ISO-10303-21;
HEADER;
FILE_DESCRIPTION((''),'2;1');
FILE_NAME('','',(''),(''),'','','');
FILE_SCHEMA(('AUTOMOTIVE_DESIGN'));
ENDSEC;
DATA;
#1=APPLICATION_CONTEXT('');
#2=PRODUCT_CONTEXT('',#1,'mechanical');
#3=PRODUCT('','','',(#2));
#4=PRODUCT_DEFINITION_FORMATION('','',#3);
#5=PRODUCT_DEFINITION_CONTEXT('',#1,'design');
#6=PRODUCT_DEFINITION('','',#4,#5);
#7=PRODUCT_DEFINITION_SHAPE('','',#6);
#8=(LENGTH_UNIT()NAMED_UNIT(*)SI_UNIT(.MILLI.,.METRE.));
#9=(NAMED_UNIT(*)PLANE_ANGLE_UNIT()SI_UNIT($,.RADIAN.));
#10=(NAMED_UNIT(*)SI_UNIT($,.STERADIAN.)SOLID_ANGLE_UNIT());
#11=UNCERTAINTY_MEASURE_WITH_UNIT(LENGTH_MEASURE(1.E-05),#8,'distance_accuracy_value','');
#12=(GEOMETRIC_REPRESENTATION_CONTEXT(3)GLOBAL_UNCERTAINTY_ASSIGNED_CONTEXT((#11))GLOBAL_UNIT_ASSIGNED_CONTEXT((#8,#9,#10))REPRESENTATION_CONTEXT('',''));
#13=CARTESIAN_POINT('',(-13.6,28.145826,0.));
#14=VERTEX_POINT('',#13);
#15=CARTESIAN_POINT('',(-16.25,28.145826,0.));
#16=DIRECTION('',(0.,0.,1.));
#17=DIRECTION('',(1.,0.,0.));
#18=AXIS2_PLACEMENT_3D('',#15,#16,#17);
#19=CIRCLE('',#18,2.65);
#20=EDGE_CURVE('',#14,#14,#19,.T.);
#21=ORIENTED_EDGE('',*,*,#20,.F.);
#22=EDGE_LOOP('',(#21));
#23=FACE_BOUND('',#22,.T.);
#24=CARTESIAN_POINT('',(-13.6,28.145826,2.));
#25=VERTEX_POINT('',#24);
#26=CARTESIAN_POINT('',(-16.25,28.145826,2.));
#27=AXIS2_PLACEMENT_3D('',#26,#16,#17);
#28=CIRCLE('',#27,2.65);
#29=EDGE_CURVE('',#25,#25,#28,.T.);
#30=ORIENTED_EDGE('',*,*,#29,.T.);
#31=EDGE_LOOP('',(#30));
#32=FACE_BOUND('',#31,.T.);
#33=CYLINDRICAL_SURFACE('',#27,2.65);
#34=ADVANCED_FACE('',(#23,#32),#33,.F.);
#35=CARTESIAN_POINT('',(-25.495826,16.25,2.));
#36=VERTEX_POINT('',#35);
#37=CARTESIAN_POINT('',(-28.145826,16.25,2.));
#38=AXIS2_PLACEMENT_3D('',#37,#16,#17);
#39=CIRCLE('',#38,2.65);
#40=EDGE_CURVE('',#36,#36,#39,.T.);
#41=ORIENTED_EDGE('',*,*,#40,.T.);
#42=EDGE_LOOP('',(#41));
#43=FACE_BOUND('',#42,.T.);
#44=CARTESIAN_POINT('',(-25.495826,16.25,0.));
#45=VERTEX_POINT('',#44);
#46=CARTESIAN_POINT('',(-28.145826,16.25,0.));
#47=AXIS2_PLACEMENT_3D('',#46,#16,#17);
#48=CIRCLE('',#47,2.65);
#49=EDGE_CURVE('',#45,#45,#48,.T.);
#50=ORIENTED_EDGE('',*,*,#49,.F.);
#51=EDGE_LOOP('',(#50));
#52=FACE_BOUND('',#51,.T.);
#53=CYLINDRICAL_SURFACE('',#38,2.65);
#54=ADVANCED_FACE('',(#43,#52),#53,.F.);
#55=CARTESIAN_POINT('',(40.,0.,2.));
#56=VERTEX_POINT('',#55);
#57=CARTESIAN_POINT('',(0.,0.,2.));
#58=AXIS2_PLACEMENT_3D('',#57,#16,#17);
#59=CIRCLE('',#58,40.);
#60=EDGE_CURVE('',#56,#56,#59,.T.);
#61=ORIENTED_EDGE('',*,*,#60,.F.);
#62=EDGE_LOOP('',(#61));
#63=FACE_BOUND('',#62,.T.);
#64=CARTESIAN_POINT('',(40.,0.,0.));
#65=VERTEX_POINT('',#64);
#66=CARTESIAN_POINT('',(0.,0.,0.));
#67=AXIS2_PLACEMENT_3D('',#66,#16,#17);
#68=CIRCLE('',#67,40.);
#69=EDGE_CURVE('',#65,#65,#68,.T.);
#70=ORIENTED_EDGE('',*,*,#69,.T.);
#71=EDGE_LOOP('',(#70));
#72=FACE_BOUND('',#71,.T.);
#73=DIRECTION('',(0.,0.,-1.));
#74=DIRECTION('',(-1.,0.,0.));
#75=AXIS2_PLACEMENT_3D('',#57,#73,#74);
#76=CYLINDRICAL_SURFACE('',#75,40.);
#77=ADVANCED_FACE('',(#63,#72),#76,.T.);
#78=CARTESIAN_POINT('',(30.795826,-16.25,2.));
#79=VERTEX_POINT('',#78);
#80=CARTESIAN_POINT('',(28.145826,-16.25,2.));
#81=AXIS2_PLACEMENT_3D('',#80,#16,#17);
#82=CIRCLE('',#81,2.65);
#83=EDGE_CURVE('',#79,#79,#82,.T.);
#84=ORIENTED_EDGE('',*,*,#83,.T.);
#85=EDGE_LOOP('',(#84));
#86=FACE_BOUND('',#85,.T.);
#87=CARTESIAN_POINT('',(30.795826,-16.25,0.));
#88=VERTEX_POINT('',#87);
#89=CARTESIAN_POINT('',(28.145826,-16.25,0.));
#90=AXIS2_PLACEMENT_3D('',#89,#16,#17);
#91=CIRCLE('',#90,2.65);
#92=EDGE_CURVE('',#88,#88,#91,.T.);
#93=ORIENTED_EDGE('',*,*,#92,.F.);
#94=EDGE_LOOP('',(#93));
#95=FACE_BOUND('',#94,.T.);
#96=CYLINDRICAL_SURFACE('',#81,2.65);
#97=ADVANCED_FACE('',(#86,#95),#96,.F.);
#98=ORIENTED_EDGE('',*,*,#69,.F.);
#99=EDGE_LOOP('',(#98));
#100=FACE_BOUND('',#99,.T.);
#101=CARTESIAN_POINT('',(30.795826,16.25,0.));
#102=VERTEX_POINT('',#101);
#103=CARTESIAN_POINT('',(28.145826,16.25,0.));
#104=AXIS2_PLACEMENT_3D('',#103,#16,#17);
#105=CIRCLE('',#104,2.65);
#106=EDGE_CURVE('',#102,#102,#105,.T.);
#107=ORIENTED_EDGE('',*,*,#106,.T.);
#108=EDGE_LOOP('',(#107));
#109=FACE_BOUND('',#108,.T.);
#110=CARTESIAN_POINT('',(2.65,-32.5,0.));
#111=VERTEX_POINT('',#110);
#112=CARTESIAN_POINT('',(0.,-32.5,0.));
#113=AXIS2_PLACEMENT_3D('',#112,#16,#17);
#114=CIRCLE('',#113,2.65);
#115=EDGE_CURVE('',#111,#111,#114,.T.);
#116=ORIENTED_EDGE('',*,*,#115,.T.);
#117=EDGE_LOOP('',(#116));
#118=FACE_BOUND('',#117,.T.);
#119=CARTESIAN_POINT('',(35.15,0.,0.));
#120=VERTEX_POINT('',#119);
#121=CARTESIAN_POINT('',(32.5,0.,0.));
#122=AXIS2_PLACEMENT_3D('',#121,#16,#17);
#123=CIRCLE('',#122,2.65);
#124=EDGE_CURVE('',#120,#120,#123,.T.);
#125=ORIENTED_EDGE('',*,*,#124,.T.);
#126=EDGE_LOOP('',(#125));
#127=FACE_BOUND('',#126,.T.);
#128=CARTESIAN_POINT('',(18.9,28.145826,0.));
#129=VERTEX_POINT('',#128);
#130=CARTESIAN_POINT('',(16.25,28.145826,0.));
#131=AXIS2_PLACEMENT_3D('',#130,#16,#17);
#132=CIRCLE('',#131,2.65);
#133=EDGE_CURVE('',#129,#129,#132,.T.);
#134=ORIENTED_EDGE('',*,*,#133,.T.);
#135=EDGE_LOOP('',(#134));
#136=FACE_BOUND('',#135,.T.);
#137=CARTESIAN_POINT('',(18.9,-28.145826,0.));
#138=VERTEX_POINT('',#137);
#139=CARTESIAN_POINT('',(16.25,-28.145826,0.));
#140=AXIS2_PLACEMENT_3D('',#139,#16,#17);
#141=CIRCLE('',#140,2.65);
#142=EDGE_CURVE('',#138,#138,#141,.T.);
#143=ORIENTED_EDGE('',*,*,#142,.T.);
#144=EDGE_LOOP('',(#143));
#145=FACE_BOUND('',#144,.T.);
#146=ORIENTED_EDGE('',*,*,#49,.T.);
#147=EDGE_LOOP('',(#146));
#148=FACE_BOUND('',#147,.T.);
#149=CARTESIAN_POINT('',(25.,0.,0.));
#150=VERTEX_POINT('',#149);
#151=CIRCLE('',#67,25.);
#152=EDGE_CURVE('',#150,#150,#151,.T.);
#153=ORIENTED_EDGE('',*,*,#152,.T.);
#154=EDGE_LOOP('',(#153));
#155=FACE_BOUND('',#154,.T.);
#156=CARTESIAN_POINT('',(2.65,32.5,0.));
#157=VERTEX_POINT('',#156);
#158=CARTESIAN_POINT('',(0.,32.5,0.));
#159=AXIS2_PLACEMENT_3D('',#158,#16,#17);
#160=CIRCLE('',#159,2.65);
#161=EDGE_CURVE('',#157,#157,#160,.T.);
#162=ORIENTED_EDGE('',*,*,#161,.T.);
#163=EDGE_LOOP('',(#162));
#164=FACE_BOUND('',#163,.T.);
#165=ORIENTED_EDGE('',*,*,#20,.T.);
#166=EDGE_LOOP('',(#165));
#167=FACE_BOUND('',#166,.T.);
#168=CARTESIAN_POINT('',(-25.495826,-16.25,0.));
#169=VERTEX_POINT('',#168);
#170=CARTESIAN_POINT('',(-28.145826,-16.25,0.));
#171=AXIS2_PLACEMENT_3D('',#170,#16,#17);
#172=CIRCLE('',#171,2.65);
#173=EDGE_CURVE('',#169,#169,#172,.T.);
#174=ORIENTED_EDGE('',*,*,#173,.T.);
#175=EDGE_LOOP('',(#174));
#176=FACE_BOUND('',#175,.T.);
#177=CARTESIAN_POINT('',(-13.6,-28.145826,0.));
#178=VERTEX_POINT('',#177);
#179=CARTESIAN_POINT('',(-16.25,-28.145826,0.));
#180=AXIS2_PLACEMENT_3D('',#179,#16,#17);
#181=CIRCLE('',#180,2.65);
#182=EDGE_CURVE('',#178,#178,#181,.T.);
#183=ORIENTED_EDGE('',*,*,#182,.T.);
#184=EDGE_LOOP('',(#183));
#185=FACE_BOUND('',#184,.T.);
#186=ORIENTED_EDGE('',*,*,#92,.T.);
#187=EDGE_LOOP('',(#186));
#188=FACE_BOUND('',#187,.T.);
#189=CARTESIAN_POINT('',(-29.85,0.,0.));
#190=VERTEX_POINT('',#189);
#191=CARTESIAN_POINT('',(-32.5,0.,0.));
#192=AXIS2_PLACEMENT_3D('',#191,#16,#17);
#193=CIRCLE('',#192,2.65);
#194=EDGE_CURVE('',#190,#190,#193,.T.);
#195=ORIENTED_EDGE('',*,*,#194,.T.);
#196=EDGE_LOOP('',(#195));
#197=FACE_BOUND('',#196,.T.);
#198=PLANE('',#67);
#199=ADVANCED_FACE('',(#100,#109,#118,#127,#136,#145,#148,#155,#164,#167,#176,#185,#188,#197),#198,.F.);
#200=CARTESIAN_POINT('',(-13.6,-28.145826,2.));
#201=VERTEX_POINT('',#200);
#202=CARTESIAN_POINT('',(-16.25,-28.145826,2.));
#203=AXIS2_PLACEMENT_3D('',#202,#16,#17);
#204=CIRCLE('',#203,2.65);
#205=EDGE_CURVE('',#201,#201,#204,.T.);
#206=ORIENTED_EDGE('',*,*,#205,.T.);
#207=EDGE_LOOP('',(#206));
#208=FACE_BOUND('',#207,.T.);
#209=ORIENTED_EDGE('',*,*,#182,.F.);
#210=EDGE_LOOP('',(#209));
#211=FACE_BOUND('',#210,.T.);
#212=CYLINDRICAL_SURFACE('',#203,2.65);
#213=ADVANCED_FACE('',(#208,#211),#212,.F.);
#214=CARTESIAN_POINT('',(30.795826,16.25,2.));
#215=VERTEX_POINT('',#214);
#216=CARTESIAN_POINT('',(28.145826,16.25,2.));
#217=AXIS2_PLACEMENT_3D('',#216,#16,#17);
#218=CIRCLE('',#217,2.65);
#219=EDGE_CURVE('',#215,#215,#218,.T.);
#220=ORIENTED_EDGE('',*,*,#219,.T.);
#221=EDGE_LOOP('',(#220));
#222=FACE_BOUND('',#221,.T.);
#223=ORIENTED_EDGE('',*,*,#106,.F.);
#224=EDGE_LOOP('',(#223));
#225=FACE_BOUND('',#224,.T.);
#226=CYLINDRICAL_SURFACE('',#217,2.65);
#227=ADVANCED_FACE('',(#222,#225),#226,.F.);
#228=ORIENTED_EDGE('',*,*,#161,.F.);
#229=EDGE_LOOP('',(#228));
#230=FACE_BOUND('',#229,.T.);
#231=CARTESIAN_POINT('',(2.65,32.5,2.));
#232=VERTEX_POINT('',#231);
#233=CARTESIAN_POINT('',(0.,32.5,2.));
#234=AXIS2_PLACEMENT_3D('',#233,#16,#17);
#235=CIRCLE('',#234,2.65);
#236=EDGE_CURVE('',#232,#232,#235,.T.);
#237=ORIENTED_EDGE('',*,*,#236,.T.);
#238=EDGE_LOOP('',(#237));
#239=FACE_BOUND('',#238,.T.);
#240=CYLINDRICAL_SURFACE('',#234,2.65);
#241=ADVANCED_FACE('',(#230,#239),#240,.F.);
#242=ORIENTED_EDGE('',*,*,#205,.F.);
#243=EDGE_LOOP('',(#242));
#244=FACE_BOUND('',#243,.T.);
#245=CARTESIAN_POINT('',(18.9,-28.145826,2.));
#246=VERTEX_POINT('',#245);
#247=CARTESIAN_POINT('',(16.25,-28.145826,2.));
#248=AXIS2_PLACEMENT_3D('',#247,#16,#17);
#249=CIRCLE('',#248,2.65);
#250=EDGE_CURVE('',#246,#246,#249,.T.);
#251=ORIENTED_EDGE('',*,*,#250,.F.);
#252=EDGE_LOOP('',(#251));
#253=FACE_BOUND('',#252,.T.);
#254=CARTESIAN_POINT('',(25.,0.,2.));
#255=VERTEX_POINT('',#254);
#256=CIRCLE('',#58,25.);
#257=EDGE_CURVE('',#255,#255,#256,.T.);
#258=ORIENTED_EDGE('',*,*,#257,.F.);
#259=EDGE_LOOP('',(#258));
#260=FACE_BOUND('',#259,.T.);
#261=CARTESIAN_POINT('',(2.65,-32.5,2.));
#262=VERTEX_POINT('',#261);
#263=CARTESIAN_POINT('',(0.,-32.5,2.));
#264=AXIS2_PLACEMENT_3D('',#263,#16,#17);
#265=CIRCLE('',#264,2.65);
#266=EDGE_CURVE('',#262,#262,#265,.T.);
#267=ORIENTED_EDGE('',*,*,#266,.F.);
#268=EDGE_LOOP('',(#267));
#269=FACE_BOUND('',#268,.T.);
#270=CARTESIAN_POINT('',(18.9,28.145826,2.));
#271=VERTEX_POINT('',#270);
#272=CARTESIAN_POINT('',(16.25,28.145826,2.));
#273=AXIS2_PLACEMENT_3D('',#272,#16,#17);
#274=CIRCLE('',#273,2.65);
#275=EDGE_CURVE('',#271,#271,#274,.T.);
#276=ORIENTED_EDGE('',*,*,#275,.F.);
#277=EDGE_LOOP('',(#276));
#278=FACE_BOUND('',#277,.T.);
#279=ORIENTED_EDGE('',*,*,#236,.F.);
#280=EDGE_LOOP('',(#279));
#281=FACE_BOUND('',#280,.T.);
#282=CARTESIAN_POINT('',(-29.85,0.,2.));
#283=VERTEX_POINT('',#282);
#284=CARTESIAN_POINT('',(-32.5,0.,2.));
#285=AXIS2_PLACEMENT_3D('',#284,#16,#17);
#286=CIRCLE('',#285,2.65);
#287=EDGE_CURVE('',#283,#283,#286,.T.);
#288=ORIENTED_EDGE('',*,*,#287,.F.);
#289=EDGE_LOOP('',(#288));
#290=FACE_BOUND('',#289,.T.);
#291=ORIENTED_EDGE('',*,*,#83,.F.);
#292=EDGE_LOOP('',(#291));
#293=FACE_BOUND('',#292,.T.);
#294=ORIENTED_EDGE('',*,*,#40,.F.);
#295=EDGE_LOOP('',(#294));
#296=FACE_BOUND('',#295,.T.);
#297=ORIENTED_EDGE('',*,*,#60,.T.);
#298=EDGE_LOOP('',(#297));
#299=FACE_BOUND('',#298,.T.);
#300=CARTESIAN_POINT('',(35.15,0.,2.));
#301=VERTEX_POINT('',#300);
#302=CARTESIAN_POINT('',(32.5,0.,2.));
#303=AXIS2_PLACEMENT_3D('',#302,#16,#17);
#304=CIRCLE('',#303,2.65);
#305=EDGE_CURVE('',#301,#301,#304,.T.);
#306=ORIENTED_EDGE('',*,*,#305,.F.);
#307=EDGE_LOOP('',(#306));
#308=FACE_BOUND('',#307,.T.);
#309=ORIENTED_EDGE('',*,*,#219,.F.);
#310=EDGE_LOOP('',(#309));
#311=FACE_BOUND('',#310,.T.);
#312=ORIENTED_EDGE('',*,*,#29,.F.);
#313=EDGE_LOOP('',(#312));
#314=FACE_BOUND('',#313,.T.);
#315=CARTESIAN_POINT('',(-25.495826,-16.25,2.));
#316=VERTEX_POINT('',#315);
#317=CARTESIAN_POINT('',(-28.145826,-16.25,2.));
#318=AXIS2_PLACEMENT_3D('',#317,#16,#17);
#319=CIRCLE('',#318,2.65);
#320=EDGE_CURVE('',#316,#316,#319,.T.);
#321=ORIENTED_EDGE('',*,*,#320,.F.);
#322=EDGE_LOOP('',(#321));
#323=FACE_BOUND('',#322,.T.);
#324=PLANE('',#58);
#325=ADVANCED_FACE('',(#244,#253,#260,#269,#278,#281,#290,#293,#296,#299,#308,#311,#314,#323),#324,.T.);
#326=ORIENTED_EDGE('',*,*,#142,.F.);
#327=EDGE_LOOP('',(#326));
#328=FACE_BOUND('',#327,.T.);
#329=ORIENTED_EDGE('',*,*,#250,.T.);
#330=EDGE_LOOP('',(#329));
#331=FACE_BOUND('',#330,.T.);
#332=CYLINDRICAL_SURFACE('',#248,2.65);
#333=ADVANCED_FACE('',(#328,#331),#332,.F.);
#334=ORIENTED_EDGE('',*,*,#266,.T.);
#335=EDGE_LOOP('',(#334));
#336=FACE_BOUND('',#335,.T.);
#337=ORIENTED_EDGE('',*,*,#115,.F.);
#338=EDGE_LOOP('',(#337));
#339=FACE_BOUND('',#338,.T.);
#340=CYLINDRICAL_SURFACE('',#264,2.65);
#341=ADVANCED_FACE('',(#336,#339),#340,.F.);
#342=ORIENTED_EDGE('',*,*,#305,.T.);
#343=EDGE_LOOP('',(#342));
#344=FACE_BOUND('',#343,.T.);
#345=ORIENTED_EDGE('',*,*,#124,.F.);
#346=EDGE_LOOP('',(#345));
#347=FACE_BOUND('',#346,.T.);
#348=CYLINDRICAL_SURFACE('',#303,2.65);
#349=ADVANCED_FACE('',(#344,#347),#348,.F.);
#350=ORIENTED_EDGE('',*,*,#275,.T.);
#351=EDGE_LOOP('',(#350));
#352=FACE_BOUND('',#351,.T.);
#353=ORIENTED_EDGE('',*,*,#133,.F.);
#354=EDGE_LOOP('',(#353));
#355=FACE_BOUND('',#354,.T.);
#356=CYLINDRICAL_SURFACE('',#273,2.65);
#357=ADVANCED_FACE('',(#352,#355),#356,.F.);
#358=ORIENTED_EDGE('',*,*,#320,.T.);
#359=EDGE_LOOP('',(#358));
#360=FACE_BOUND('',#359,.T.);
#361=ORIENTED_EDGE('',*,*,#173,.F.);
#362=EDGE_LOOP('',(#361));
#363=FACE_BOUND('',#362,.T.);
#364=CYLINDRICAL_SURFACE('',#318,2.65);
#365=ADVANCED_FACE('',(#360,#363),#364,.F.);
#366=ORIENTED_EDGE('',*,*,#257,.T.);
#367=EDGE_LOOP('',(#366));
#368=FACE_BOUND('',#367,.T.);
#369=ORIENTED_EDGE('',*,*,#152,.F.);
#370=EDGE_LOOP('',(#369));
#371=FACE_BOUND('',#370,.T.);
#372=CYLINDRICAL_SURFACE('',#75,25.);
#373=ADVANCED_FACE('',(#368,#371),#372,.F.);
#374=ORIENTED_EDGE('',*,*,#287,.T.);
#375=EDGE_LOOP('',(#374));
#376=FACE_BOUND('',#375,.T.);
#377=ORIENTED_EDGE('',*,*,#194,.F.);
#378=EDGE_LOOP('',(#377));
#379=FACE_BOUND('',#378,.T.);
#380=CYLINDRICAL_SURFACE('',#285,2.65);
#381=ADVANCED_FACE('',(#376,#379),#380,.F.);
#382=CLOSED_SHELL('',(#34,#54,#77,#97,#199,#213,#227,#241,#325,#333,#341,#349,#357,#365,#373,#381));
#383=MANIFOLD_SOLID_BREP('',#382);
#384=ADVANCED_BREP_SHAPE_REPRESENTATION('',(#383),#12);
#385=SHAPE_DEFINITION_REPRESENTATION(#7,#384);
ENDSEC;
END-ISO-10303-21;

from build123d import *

# Parameters (mm, degrees)
SKETCH1_R            = 40
SKETCH1_R_2          = 25
BOSS_EXTRUDE1_DEPTH  = 2
M5_CLEARANCE_HOLE1_D = 5.3
CIRPATTERN1_COUNT    = 12


with BuildPart() as part:
    # Sketch1 → Boss-Extrude1 (new body)
    with BuildSketch(Plane.XY):
        Circle(SKETCH1_R)
        Circle(SKETCH1_R_2, mode=Mode.SUBTRACT)
    extrude(amount=BOSS_EXTRUDE1_DEPTH)

    # M5 Clearance Hole1 (through all)
    with Locations(Plane.XY.offset(2)):
        with Locations((0, 32.5)):
            m5_clearance_hole1 = Hole(M5_CLEARANCE_HOLE1_D / 2)

    # CirPattern1: M5 Clearance Hole1 ×12 about axis
    cirpattern1_axis = Axis((0, 0, 0), (0, 0, 1))
    for i in range(1, CIRPATTERN1_COUNT):
        add(m5_clearance_hole1.rotate(cirpattern1_axis, i * 360 / CIRPATTERN1_COUNT), mode=Mode.SUBTRACT)


solid = part.part
